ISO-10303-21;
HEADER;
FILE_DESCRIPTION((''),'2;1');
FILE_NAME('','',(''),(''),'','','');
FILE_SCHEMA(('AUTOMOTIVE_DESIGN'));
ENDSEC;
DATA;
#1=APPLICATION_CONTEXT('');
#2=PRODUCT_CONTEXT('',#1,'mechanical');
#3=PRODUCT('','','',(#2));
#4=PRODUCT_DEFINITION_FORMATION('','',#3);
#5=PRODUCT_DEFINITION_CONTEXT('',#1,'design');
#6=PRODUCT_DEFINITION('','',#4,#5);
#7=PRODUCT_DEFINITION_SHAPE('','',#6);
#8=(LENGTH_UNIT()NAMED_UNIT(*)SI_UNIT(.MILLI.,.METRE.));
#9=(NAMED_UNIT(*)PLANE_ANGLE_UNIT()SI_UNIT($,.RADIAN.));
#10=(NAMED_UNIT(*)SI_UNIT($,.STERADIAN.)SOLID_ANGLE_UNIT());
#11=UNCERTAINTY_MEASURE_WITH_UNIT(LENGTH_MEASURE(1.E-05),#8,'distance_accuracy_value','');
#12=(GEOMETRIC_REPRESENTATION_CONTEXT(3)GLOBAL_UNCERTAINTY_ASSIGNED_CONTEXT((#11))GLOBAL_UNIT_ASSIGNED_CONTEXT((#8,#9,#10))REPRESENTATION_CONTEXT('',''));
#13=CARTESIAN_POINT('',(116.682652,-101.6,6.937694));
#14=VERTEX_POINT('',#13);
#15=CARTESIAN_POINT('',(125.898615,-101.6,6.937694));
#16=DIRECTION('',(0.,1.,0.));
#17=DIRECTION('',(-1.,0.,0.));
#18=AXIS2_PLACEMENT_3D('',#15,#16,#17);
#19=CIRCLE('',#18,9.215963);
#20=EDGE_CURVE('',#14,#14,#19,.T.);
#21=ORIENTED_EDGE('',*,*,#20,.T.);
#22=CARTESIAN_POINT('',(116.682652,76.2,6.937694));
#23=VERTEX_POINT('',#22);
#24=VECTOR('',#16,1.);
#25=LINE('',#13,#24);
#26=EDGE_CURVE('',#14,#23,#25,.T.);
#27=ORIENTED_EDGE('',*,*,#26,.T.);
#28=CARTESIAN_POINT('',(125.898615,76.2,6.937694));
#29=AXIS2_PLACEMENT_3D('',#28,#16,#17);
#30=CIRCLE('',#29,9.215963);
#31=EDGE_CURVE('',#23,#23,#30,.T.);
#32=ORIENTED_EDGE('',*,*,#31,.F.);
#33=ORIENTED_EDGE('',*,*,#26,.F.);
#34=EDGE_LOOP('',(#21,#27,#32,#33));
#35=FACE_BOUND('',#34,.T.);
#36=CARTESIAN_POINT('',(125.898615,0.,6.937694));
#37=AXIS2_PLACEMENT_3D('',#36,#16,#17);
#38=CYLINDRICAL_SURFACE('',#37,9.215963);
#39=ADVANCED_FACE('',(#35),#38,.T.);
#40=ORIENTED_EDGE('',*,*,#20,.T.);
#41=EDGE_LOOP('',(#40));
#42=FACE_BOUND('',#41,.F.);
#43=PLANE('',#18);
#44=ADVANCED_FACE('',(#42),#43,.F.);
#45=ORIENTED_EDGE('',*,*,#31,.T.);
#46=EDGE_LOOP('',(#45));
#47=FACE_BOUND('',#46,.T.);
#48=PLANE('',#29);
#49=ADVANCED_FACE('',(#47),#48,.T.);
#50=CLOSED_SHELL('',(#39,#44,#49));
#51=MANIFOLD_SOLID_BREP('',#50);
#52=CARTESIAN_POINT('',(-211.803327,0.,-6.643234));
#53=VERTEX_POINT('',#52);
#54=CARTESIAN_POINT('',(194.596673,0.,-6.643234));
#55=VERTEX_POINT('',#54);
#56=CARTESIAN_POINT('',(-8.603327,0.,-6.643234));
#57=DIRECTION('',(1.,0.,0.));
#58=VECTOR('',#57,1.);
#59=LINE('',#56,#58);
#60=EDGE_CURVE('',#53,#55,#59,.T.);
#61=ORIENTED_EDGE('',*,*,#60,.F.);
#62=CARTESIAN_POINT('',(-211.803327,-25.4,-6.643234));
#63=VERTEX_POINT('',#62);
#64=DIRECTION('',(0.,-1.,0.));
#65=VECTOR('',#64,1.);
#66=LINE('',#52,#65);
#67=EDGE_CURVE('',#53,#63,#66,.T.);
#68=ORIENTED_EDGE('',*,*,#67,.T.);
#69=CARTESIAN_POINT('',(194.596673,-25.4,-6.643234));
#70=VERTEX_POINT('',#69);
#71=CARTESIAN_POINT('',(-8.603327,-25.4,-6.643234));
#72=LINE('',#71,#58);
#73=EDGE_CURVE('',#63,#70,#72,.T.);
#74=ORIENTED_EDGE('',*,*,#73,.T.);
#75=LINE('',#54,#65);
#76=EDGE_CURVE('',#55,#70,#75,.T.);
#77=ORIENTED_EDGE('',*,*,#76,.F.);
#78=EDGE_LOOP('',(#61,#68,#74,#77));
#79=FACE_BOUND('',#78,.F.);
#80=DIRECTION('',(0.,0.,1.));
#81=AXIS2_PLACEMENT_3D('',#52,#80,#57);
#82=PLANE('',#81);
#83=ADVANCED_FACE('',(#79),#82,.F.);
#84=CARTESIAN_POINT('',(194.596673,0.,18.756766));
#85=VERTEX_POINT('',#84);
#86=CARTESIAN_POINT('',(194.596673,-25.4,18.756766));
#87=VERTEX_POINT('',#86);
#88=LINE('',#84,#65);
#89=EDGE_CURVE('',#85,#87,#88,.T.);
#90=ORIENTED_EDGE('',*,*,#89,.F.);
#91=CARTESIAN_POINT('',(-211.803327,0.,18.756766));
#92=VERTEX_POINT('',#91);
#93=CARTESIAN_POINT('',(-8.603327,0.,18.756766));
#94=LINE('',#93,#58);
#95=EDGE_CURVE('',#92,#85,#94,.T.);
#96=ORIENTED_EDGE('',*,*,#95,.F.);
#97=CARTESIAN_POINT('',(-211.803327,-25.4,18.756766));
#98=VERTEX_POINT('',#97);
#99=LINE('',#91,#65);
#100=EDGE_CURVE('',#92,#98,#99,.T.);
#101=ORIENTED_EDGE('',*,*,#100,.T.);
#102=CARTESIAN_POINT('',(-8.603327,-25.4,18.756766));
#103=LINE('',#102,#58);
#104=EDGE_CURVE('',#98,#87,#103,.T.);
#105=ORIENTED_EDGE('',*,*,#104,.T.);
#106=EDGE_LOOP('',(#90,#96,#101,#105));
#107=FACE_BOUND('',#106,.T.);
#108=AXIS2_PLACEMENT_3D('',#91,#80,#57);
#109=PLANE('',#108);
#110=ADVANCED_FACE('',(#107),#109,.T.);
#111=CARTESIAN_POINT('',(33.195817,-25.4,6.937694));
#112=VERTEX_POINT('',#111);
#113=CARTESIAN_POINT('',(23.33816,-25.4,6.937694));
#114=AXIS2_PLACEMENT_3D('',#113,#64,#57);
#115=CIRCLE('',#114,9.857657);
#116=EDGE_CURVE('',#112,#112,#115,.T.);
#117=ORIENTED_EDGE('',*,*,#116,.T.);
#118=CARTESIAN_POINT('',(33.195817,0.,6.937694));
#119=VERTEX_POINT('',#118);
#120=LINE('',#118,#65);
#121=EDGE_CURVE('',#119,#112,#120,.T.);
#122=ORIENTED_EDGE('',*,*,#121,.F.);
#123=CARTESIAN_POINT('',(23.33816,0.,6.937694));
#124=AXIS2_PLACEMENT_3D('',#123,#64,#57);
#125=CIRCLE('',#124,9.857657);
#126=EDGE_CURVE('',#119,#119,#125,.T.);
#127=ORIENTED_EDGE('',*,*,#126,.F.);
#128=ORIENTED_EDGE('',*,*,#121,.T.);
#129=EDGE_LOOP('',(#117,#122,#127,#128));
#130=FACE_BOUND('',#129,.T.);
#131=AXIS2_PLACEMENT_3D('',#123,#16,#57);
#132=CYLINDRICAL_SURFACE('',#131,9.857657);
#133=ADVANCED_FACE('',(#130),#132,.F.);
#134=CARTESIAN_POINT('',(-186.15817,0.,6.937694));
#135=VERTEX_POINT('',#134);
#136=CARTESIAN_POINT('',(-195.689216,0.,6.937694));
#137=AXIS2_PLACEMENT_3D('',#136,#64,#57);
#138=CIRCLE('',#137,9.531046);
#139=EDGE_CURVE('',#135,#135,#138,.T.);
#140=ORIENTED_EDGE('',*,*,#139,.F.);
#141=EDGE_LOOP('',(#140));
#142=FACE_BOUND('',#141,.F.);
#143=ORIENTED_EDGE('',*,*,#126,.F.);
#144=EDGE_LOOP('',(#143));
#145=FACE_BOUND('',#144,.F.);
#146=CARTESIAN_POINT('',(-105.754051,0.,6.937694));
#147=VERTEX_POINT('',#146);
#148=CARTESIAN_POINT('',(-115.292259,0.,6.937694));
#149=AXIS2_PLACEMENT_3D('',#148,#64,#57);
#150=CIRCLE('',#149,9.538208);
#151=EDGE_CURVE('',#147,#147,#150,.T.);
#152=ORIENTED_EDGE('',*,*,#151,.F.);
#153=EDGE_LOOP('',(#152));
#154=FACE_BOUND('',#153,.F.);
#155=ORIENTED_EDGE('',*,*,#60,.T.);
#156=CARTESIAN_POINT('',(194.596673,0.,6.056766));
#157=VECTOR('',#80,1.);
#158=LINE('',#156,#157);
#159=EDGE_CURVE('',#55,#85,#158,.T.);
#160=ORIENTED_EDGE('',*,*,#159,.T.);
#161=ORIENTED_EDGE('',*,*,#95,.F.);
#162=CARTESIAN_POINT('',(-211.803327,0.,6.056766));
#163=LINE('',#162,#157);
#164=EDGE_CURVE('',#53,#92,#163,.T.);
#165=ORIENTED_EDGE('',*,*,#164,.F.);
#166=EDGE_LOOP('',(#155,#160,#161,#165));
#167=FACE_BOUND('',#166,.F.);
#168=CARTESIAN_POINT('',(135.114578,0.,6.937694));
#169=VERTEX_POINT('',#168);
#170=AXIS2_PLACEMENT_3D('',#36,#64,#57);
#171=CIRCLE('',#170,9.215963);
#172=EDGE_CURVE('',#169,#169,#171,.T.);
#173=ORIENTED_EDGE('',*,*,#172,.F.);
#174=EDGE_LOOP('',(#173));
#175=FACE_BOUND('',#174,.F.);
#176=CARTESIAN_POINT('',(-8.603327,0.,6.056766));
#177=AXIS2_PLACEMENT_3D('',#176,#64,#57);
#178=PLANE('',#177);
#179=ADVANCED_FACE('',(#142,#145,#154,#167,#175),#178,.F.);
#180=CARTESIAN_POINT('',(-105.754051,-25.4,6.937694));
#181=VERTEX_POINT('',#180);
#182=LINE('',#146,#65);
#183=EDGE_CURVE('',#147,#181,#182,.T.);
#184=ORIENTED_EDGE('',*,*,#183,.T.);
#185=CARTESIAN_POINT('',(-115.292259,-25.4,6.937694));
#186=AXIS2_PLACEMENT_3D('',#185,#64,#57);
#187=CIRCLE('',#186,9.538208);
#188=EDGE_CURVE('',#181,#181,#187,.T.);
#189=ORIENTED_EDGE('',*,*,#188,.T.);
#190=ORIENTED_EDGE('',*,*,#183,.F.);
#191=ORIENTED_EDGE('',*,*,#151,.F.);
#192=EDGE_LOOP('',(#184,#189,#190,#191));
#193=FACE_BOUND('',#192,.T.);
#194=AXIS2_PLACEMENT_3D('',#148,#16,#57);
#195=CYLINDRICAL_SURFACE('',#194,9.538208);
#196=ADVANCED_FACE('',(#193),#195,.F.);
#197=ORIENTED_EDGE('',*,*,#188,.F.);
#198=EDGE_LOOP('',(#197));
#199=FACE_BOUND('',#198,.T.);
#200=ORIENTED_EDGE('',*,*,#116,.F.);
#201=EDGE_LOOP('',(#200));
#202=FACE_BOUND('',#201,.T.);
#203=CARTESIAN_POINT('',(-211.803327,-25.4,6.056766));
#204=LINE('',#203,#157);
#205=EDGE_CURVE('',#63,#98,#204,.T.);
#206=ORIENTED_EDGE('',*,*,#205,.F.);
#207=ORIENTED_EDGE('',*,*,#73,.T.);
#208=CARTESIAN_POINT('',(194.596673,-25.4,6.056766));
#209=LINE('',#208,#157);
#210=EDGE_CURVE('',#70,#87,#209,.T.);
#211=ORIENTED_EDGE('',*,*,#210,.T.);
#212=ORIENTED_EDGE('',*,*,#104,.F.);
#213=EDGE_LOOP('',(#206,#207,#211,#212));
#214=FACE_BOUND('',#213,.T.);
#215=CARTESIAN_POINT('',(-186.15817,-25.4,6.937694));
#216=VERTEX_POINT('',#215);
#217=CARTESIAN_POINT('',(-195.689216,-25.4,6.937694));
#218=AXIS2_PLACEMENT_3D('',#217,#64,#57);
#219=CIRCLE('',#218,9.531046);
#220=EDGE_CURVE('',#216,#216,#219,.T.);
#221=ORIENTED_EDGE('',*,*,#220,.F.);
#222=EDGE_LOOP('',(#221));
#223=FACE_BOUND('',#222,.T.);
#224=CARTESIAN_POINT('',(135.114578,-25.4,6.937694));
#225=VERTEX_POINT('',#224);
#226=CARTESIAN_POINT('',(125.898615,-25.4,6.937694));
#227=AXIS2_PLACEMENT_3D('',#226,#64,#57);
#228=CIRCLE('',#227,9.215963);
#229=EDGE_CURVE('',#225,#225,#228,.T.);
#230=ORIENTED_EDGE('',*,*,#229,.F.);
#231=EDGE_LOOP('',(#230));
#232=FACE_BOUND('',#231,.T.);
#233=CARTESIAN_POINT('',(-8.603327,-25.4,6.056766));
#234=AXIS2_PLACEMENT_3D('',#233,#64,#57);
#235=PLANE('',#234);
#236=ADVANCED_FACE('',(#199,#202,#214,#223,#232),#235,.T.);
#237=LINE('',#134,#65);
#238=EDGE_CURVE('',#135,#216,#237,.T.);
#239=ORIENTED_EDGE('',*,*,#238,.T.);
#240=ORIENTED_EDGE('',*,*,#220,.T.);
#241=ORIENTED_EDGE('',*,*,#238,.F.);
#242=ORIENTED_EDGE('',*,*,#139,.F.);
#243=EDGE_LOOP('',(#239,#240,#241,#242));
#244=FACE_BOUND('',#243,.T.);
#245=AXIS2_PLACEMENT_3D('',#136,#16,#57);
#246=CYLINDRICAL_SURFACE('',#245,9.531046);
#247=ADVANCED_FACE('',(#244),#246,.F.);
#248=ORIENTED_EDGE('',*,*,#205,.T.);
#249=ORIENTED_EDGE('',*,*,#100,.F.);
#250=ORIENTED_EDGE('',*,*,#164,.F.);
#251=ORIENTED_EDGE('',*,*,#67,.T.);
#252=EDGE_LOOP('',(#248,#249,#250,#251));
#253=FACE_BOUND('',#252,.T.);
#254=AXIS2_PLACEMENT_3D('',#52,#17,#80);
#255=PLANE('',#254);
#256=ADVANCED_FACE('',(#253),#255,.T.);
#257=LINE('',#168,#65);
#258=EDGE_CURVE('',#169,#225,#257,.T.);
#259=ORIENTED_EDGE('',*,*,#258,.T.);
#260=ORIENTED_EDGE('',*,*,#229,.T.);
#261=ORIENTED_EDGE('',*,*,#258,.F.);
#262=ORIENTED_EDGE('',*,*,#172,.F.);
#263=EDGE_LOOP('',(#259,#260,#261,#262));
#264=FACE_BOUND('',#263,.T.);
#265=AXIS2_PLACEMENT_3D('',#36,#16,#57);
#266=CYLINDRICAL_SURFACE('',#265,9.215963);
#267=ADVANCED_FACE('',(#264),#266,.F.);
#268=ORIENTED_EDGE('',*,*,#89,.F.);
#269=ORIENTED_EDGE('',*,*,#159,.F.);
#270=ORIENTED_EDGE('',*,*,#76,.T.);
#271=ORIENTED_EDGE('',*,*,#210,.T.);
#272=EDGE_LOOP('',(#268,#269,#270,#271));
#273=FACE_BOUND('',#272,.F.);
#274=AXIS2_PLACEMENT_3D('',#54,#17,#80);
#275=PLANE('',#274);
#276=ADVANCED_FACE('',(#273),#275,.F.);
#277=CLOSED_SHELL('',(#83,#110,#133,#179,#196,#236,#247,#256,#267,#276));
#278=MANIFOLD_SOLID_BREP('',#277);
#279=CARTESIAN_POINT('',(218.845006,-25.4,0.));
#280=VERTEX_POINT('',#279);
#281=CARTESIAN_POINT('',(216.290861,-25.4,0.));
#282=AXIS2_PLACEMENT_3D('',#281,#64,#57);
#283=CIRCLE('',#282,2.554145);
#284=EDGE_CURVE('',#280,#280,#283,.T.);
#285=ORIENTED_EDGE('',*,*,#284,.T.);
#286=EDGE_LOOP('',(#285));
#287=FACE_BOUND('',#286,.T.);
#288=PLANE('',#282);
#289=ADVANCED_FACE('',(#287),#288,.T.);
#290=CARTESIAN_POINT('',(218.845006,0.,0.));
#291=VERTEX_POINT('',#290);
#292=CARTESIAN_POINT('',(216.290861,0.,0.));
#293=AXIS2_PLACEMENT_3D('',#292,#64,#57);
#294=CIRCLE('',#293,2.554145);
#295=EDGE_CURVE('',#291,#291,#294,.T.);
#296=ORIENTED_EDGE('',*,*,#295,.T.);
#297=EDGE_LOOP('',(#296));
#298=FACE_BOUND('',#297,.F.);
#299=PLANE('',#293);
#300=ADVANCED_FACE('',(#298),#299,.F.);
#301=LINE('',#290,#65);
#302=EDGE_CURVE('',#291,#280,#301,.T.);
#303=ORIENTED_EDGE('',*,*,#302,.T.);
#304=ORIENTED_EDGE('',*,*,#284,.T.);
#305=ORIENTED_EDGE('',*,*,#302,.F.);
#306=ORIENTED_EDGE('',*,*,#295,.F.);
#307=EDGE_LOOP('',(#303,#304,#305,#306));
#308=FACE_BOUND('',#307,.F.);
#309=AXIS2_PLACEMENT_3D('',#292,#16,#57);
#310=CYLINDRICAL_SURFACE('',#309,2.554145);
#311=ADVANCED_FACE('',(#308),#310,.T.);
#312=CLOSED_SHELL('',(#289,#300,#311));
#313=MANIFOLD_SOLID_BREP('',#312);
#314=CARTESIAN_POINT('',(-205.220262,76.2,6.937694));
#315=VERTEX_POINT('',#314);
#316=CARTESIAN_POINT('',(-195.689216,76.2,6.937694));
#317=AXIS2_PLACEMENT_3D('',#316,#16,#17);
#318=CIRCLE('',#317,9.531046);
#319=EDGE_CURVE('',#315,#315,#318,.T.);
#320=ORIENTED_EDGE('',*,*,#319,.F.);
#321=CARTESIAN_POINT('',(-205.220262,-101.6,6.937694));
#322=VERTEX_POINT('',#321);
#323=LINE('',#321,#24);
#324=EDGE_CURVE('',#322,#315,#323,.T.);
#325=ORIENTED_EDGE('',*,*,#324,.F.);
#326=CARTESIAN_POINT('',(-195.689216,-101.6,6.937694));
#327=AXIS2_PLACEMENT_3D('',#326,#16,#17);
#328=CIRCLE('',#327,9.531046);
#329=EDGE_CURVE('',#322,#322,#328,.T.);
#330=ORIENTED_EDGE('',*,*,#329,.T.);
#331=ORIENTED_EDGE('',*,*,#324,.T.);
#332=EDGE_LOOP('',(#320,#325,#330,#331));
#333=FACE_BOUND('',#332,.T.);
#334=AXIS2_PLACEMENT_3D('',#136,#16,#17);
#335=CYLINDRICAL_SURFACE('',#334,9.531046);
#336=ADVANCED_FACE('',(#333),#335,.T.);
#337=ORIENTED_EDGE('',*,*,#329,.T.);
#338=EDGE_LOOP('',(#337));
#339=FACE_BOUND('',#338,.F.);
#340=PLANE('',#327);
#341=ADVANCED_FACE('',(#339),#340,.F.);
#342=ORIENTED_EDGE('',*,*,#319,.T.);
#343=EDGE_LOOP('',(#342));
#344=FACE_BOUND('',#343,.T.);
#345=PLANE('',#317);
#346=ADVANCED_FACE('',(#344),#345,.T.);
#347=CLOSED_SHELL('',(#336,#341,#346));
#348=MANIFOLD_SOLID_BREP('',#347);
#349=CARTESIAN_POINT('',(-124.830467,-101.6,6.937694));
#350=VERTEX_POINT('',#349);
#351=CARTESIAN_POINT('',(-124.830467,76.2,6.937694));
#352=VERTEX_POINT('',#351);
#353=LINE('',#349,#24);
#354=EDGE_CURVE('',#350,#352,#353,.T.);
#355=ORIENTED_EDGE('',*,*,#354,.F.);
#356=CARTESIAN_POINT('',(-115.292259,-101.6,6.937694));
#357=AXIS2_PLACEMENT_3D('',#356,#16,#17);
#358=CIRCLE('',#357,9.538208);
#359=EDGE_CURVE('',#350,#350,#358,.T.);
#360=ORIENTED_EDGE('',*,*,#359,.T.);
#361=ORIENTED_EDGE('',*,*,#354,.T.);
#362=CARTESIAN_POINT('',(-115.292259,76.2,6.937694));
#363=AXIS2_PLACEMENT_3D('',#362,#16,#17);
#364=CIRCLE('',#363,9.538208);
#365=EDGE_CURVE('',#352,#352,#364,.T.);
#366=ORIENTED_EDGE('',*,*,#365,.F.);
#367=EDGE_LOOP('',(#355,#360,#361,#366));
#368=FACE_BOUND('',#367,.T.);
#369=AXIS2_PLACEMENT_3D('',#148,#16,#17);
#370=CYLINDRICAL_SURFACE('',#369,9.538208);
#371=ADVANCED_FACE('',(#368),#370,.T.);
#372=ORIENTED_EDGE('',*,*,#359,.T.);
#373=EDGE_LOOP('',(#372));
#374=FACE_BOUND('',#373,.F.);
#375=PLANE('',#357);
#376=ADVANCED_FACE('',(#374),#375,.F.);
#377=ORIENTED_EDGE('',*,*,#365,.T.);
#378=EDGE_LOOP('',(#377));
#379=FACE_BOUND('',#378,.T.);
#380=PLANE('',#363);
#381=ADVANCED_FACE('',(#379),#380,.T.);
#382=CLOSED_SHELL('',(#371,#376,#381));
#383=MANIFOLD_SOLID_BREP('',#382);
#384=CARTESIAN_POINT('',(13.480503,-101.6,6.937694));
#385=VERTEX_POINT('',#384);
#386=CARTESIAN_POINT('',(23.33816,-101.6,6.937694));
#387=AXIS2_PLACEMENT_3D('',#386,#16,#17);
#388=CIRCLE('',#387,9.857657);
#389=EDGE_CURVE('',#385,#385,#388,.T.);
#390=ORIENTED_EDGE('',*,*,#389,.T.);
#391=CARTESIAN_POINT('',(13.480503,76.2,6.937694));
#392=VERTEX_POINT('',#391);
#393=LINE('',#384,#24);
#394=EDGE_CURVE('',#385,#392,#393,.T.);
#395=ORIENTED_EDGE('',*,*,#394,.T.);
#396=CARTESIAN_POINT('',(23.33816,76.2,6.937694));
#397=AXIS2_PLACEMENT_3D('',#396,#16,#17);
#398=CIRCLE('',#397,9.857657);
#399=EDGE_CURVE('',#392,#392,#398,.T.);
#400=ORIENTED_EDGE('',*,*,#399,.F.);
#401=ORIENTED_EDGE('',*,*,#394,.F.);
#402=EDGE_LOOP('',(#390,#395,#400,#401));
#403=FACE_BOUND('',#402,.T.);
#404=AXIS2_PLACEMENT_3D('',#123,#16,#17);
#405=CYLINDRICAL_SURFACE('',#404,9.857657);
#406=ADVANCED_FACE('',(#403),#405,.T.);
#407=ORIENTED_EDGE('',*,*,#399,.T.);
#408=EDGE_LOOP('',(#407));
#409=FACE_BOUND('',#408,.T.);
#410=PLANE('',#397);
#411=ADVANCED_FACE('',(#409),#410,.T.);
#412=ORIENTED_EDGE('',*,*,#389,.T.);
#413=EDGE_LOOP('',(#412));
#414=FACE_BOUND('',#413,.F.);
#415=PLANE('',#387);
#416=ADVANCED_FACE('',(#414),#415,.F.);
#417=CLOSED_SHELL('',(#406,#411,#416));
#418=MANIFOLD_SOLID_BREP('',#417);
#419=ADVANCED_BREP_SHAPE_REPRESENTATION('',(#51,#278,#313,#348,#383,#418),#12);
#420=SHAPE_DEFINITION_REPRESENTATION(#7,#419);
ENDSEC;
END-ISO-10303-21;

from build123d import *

# Parameters (mm, degrees)
F0_W          = 406.4
F0_H          = 25.4
F0_R          = 9.531046
F0_R_2        = 9.538208
F0_R_3        = 9.857657
F0_R_4        = 9.215963
F0_R_5        = 2.554145
F1_DEPTH      = 25.4
F2_R          = 9.215963
F2_R_2        = 9.857657
F2_R_3        = 9.538208
F2_R_4        = 9.531046
F3_DEPTH      = 76.2
F3_DEPTH_BACK = 101.6


with BuildPart() as f1:
    # F0 (on Front) → F1 (new body)
    with BuildSketch(Plane.XZ):
        with Locations((-8.603327, 6.056766)):
            Rectangle(F0_W, F0_H)
        with Locations((-195.689216, 6.937694)):
            Circle(F0_R, mode=Mode.SUBTRACT)
        with Locations((-115.292259, 6.937694)):
            Circle(F0_R_2, mode=Mode.SUBTRACT)
        with Locations((23.33816, 6.937694)):
            Circle(F0_R_3, mode=Mode.SUBTRACT)
        with Locations((125.898615, 6.937694)):
            Circle(F0_R_4, mode=Mode.SUBTRACT)
        with Locations((216.290861, 0)):
            Circle(F0_R_5)
    extrude(amount=F1_DEPTH)


with BuildPart() as f3:
    # F2 (on face) → F3 (new body, two sides)
    with BuildSketch(Plane(origin=(0, 0, 0), x_dir=(-1, 0, 0), z_dir=(0, 1, 0))) as f3_sk:
        with Locations((-125.898615, 6.937694)):
            Circle(F2_R)
        with Locations((-23.33816, 6.937694)):
            Circle(F2_R_2)
        with Locations((115.292259, 6.937694)):
            Circle(F2_R_3)
        with Locations((195.689216, 6.937694)):
            Circle(F2_R_4)
    extrude(amount=F3_DEPTH)
    extrude(f3_sk.sketch, amount=-F3_DEPTH_BACK)


solid = Compound([f1.part, f3.part])
